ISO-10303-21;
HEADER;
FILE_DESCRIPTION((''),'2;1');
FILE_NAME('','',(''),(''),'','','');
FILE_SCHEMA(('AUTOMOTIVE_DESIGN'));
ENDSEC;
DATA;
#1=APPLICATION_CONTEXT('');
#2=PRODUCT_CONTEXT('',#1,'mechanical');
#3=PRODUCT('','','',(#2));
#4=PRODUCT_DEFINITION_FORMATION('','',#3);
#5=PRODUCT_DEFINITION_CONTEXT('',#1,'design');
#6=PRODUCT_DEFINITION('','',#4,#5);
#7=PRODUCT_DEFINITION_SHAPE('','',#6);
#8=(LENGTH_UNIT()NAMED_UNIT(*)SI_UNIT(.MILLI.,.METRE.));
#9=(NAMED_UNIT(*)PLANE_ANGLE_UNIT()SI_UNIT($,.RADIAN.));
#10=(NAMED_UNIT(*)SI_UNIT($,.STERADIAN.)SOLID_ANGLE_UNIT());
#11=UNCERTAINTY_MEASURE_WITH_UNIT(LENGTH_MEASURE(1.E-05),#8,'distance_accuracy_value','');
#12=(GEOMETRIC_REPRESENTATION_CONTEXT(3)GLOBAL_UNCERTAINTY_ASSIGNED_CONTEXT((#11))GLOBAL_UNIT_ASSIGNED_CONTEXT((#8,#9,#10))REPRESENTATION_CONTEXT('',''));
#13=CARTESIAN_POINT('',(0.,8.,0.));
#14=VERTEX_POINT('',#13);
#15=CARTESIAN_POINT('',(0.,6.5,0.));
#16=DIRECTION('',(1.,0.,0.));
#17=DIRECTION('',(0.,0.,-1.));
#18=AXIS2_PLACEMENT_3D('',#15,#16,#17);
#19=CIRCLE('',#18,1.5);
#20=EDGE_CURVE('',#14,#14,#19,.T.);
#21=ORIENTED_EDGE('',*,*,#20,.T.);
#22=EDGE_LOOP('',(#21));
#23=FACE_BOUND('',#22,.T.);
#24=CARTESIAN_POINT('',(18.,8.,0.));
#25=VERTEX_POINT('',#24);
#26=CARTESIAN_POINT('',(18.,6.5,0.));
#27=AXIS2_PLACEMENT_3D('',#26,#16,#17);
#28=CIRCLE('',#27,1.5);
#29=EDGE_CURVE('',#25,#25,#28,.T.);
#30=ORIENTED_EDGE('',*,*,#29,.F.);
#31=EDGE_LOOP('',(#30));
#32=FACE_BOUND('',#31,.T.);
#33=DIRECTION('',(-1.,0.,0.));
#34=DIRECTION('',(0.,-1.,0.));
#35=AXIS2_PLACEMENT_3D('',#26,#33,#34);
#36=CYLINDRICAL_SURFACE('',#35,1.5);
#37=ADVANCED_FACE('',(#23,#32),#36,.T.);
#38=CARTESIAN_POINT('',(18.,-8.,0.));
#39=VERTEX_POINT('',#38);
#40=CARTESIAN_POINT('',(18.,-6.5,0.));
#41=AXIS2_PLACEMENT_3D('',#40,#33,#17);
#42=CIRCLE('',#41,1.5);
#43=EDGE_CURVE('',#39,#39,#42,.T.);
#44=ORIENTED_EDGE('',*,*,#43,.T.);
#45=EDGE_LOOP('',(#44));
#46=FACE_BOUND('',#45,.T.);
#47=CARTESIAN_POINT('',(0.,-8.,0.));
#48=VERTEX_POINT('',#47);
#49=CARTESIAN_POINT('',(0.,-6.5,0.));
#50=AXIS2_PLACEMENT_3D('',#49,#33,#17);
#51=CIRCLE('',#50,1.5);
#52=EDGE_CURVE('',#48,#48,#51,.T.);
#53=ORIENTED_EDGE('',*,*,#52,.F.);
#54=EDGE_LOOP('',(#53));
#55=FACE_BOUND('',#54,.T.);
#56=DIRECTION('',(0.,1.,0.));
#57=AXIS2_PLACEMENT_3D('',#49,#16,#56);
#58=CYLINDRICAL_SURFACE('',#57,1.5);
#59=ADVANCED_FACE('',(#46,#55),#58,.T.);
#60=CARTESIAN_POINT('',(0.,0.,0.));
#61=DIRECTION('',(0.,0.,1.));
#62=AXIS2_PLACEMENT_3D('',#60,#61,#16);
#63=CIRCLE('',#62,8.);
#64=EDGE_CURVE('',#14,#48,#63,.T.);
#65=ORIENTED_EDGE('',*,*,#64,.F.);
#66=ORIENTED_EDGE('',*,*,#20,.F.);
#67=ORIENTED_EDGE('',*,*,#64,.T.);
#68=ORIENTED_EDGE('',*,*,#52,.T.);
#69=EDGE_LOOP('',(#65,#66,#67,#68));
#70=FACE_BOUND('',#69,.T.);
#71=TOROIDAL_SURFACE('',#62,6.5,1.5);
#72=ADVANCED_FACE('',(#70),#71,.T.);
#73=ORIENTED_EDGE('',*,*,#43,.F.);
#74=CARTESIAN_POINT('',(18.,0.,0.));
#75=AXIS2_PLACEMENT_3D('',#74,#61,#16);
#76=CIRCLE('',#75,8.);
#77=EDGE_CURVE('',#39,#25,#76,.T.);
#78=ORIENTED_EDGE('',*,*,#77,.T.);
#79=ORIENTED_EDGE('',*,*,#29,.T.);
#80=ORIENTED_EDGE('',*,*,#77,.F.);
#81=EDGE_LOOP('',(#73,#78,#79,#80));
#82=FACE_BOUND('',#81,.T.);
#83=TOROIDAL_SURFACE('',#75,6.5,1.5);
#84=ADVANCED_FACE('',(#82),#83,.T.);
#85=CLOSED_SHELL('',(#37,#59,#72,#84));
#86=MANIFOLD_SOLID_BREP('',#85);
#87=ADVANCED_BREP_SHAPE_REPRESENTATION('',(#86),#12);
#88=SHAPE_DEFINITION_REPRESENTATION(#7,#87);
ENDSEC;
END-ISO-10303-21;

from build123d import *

# Parameters (mm, degrees)
ESQUISSE2_R = 1.5


with BuildPart() as part:
    # Balayage1: sweep along a path in Esquisse1
    with BuildLine(Plane.XY) as balayage1_path:
        Line((0, 6.5), (18, 6.5))
        ThreePointArc((18, 6.5), (24.5, 0), (18, -6.5))
        Line((18, -6.5), (0, -6.5))
        ThreePointArc((0, -6.5), (-6.5, 0), (0, 6.5))
    # Esquisse2 → Balayage1 (sweep)
    with BuildSketch(Plane(origin=(0, 0, 0), x_dir=(0, 0, -1), z_dir=(1, 0, 0))):
        with Locations((0, 6.5)):
            Circle(ESQUISSE2_R)
    sweep(path=balayage1_path.line)


solid = part.part
